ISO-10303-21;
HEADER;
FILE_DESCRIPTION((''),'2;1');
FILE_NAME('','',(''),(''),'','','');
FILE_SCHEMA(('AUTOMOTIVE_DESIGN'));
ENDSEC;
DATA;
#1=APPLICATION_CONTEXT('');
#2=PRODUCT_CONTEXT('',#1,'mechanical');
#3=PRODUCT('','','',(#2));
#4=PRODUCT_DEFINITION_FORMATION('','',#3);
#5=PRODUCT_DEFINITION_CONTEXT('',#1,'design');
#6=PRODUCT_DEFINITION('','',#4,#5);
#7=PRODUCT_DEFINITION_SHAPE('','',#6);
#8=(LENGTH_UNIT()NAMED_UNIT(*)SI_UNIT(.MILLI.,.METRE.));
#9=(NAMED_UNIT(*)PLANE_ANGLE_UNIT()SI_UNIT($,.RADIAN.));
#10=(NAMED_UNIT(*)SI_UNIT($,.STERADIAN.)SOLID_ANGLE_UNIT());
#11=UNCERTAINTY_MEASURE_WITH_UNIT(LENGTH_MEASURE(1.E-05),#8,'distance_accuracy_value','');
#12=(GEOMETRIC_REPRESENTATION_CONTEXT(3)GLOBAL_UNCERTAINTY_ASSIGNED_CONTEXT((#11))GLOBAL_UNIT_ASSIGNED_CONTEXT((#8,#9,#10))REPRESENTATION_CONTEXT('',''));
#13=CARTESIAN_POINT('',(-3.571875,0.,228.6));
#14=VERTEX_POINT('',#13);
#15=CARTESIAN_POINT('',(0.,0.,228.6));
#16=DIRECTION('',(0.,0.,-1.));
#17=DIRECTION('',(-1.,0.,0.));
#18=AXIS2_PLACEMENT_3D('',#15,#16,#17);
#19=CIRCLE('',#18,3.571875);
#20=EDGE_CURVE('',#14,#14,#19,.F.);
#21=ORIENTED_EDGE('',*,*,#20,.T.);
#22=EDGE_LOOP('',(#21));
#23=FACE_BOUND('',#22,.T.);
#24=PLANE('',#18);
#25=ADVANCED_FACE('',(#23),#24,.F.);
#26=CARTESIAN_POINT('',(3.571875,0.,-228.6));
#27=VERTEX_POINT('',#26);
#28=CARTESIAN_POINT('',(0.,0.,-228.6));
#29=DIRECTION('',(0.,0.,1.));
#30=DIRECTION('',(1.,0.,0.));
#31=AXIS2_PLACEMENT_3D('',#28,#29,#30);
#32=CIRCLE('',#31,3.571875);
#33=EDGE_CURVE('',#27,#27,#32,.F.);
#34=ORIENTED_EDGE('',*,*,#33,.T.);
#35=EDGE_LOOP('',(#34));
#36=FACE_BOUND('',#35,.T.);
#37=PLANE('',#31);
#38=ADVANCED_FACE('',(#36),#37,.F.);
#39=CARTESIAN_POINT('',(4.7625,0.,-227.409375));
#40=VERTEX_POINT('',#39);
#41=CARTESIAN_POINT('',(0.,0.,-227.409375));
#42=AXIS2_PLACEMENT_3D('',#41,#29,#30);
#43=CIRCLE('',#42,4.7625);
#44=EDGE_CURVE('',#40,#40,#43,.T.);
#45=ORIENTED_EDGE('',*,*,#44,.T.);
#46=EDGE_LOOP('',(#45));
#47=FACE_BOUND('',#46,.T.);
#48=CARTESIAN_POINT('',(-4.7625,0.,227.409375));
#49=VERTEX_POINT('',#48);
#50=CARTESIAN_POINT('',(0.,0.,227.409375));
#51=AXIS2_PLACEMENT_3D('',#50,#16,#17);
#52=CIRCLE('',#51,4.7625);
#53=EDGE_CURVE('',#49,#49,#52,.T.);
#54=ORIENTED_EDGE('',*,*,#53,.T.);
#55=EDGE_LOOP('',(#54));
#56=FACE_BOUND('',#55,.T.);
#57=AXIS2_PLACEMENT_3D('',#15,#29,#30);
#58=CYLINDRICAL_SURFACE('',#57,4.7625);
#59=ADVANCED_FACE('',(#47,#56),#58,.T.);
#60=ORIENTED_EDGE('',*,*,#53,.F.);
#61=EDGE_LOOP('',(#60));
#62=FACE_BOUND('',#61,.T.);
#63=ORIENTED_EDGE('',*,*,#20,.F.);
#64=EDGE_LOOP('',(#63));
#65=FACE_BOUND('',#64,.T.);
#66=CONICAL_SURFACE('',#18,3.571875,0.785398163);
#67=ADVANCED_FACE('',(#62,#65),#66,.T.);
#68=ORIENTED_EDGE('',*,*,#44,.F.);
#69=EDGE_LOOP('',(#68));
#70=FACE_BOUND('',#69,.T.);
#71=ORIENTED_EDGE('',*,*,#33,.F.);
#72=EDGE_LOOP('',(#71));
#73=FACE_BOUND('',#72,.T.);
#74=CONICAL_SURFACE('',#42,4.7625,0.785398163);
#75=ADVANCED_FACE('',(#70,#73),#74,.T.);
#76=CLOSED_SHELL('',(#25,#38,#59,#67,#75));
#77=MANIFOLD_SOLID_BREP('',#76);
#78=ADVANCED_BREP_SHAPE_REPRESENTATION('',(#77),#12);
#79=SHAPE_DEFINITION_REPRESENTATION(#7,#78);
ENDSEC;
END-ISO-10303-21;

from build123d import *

# Parameters (mm, degrees)
SKETCH2_W     = 457.2
SKETCH2_H     = 4.7625
CHAMFER1_SIZE = 1.190625


with BuildPart() as part:
    # Sketch2 → Revolve1 (revolve)
    with BuildSketch(Plane(origin=(0, 0, 0), x_dir=(0, 0, -1), z_dir=(1, 0, 0))):
        with Locations((0, 2.38125)):
            Rectangle(SKETCH2_W, SKETCH2_H)
    revolve(axis=Axis((0, 0, 228.6), (0, 0, -1)))

    # Chamfer1
    chamfer1_edges = [part.edges().sort_by_distance(p)[0] for p in [
        (0, -4.7625, -228.6),
        (0, -4.7625, 228.6),
    ]]
    chamfer(chamfer1_edges, length=CHAMFER1_SIZE)


solid = part.part
